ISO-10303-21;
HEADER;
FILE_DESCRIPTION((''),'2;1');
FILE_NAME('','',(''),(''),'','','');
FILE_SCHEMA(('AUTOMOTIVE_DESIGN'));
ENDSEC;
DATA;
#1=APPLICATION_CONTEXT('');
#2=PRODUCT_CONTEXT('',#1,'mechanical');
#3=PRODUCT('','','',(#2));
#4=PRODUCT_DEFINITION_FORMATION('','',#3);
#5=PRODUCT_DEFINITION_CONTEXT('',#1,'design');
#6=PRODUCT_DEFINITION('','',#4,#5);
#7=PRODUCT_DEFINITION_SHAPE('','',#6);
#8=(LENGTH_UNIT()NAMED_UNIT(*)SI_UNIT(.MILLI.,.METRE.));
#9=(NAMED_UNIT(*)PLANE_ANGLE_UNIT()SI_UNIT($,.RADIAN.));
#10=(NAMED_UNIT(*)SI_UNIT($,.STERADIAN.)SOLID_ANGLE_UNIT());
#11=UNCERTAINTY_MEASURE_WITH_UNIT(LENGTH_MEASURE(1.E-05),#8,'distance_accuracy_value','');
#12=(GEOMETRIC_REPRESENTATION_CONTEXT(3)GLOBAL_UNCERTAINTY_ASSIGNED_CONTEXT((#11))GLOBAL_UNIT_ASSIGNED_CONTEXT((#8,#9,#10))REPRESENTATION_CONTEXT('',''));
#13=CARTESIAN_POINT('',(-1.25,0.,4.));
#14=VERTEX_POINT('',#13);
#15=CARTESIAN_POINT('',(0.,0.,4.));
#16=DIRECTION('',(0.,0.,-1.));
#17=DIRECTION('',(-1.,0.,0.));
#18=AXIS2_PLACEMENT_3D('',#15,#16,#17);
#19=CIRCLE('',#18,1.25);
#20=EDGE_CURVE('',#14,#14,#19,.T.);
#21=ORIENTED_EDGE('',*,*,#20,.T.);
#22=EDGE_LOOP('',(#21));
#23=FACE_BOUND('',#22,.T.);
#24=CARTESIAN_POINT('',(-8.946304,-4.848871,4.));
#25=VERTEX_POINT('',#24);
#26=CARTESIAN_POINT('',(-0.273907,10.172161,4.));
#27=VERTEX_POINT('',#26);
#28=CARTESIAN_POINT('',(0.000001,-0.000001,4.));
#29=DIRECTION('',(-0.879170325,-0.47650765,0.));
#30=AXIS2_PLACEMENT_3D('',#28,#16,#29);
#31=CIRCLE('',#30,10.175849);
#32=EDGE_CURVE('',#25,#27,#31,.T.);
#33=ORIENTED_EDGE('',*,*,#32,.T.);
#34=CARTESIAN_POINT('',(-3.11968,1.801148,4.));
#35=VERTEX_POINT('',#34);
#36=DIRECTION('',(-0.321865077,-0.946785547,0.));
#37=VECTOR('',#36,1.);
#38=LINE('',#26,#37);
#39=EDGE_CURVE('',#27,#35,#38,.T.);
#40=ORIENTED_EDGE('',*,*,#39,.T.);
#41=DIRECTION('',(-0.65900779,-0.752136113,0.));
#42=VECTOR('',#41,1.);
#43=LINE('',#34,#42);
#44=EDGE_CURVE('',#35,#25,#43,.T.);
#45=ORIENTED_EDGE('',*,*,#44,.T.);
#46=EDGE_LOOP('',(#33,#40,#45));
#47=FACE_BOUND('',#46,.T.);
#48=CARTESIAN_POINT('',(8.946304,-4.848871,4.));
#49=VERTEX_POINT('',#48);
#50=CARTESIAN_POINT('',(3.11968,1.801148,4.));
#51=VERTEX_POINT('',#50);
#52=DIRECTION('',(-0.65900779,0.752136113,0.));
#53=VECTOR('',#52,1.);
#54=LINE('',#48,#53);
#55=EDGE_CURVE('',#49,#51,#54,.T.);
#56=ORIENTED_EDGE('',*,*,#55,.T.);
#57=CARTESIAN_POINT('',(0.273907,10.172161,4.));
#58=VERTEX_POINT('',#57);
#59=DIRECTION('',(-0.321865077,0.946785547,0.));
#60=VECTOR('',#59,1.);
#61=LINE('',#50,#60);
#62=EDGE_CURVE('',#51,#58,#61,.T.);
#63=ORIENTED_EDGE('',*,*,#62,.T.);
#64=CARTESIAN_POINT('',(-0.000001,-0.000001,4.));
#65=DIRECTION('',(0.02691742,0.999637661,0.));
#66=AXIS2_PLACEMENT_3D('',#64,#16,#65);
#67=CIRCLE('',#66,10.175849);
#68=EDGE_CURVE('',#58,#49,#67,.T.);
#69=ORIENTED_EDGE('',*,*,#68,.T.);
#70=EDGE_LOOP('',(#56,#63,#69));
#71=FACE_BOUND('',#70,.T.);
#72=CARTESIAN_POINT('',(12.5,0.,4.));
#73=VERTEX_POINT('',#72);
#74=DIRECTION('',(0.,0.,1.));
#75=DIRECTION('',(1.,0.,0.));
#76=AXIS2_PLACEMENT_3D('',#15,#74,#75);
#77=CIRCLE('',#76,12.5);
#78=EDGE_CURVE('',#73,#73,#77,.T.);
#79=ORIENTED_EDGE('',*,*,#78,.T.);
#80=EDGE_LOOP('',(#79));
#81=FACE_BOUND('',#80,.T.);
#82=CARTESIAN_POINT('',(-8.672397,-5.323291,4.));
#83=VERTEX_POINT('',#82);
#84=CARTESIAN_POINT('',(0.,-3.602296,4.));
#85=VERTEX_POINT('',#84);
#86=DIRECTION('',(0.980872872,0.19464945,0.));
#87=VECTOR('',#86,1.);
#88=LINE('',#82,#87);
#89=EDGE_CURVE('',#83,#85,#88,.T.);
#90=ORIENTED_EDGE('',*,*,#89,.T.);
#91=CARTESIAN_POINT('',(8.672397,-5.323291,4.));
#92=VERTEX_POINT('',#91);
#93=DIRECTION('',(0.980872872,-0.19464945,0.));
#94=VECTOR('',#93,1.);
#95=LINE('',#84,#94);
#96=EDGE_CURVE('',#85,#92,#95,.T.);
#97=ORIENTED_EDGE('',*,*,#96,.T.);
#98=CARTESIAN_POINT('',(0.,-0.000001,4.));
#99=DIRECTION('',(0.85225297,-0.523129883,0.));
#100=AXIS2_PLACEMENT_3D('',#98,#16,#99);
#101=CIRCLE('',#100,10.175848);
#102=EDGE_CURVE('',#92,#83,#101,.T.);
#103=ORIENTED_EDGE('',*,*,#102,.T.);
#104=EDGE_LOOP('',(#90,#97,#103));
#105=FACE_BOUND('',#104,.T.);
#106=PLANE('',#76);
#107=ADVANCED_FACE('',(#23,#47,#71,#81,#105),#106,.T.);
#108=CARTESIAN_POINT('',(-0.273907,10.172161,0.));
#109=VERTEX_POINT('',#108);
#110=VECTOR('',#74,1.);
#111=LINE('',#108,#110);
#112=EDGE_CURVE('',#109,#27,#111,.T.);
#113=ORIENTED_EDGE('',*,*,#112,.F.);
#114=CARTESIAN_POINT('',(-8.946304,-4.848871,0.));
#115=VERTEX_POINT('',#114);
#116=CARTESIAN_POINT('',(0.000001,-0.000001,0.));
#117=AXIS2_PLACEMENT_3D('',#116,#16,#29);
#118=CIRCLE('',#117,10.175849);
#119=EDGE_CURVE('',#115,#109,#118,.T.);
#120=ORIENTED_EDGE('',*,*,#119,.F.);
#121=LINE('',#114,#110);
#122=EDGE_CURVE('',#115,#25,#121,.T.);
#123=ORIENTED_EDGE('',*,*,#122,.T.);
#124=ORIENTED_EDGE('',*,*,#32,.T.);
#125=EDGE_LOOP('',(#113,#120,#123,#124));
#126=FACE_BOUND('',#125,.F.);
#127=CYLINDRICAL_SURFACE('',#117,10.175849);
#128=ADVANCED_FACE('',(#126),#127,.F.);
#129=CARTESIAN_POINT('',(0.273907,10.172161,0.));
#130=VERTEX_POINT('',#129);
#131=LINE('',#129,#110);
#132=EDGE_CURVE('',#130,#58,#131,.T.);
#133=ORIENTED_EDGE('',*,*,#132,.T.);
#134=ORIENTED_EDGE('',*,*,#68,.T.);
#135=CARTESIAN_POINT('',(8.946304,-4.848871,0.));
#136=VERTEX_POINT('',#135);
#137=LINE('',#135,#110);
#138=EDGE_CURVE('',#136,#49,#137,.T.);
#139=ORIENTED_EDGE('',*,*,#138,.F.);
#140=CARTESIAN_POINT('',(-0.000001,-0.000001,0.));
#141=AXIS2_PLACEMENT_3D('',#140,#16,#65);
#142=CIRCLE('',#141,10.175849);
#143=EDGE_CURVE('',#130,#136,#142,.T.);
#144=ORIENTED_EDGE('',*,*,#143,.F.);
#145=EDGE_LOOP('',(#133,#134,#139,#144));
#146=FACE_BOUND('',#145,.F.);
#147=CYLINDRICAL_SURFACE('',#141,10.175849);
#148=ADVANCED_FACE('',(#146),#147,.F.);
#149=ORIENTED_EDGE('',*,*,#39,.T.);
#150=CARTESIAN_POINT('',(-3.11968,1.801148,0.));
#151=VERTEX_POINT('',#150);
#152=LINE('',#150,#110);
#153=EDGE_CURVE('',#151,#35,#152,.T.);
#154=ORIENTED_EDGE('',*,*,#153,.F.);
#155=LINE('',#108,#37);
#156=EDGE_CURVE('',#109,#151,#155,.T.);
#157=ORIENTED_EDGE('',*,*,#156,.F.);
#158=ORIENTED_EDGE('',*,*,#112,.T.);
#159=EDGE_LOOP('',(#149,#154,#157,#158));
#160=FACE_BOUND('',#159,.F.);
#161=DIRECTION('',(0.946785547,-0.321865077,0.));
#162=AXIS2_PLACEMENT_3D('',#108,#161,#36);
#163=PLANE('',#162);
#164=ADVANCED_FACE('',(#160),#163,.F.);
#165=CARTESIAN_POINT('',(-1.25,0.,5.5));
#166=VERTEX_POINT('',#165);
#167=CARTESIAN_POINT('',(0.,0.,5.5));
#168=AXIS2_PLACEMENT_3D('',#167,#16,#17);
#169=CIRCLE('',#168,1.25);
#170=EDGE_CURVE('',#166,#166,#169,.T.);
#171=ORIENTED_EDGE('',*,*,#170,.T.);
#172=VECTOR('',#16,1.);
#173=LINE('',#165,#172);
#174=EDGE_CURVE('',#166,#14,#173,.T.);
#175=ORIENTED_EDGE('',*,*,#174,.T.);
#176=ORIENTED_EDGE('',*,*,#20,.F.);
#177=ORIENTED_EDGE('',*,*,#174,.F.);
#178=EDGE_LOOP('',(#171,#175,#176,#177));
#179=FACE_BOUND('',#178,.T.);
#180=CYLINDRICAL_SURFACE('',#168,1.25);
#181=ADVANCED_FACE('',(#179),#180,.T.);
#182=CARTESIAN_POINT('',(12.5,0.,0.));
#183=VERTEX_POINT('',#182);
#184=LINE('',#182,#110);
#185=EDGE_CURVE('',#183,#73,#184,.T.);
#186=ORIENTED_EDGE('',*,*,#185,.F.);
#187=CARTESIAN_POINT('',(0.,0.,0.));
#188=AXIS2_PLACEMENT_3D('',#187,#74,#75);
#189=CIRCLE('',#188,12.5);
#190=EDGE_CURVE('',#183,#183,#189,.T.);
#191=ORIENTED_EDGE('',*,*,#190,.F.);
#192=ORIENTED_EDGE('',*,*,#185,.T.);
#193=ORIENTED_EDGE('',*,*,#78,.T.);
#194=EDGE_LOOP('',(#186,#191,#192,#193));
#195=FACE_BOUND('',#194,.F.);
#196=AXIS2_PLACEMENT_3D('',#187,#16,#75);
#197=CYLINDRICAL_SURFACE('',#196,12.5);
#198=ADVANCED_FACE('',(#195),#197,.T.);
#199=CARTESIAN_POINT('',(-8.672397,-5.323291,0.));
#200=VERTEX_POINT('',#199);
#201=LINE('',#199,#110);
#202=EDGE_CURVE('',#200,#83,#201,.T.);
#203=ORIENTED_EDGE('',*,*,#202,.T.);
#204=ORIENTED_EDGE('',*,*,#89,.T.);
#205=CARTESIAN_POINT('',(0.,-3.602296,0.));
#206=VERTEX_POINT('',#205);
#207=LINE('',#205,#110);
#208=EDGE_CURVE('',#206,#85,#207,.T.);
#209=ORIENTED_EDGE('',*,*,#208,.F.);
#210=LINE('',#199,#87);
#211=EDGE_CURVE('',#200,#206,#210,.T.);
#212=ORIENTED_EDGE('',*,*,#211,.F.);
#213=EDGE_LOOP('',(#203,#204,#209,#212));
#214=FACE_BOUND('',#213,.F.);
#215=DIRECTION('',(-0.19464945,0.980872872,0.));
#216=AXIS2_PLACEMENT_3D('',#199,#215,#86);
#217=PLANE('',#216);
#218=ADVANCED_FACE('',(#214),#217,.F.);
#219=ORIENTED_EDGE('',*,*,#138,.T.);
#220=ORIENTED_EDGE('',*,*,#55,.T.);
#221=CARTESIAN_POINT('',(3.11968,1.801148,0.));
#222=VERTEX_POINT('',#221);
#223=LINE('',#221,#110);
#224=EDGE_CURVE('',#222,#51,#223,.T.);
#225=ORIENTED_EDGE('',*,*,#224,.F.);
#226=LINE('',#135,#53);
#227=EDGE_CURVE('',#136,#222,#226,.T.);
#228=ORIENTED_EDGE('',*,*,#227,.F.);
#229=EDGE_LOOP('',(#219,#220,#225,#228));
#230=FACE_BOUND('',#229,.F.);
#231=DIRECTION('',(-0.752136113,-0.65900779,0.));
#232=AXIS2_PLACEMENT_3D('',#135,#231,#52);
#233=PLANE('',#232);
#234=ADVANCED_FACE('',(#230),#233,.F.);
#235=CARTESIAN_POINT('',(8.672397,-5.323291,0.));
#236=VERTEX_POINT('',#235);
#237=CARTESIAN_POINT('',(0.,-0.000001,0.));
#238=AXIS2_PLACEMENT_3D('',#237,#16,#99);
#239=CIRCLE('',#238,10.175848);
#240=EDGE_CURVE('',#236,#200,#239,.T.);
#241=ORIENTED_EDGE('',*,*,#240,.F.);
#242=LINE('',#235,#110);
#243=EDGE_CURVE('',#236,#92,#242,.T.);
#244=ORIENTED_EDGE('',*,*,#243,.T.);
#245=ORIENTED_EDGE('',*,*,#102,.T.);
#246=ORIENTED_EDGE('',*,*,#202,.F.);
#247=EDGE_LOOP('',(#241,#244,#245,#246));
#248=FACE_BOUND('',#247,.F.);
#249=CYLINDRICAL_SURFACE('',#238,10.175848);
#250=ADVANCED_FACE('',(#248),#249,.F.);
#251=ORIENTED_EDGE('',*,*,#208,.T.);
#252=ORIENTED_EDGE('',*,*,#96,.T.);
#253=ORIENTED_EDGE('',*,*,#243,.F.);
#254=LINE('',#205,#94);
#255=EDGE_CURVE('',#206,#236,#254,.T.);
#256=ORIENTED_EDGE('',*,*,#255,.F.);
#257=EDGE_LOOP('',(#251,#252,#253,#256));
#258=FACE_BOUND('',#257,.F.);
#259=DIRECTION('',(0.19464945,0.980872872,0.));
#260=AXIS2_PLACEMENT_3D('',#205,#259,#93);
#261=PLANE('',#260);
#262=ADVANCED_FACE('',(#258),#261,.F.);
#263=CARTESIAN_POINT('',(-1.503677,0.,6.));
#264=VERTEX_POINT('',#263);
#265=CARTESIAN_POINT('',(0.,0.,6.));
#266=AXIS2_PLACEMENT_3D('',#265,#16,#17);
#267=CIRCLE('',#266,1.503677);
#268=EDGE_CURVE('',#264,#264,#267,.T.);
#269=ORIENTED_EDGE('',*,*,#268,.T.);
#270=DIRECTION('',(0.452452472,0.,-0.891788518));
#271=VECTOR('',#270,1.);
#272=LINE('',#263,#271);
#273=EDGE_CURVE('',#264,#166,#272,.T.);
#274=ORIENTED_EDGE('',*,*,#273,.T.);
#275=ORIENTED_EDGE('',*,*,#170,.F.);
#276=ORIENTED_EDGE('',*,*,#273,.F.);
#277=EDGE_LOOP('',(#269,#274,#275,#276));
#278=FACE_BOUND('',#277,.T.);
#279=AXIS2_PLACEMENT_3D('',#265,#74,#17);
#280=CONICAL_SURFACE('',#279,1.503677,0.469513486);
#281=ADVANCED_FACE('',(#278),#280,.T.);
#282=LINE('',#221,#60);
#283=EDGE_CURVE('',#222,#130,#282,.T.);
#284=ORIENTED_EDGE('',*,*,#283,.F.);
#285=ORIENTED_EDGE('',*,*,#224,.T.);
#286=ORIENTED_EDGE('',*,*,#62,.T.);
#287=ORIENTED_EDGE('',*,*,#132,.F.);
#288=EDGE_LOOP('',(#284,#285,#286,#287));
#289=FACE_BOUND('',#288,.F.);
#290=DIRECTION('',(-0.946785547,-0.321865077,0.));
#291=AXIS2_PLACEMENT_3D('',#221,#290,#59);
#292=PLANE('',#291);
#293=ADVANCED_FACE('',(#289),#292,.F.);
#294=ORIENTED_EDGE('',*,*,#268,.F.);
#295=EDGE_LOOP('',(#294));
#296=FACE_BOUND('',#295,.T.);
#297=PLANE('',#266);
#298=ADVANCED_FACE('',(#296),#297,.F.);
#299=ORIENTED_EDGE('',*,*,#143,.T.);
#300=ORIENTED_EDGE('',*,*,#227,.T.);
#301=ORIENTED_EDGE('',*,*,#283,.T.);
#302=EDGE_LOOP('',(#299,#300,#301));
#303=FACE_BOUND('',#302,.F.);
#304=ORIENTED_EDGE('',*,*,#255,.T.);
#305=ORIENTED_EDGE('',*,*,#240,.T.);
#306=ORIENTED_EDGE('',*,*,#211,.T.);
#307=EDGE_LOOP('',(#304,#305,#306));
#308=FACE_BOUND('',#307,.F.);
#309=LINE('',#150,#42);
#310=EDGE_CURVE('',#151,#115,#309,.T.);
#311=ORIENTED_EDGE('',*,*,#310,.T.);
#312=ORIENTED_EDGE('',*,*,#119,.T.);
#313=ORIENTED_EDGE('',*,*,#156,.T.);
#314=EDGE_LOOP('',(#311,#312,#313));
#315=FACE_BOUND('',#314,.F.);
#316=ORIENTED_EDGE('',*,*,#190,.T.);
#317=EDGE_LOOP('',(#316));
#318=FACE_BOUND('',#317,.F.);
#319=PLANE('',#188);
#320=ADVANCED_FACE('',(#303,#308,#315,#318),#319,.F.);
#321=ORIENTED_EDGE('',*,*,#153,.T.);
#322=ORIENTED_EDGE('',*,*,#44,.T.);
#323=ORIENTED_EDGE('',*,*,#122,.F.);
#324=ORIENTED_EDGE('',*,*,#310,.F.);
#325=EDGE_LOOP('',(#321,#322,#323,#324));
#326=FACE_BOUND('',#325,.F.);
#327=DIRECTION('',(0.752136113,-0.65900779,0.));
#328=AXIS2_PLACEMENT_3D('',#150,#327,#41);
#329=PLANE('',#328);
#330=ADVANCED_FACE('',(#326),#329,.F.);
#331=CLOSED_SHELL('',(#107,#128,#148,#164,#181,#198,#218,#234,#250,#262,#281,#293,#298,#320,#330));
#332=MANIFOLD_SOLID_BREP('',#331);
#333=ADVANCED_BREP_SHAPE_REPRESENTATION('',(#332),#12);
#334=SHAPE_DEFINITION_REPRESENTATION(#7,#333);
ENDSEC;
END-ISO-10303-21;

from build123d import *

# Parameters (mm, degrees)
F0_R     = 12.5
F1_DEPTH = 4


with BuildPart() as f1:
    # F0 (on Top) → F1 (new body)
    with BuildSketch(Plane.XY):
        Circle(F0_R)
        with BuildLine():
            ThreePointArc((8.672397, -5.323291), (0, -10.175849), (-8.672397, -5.323291))
            Line((-8.672397, -5.323291), (0, -3.602296))
            Line((0, -3.602296), (8.672397, -5.323291))
        make_face(mode=Mode.SUBTRACT)
        with BuildLine():
            ThreePointArc((-8.946304, -4.848871), (-8.812543, 5.087924), (-0.273907, 10.172161))
            Line((-0.273907, 10.172161), (-3.11968, 1.801148))
            Line((-3.11968, 1.801148), (-8.946304, -4.848871))
        make_face(mode=Mode.SUBTRACT)
        with BuildLine():
            Line((3.11968, 1.801148), (0.273907, 10.172161))
            ThreePointArc((0.273907, 10.172161), (8.812543, 5.087924), (8.946304, -4.848871))
            Line((8.946304, -4.848871), (3.11968, 1.801148))
        make_face(mode=Mode.SUBTRACT)
    extrude(amount=F1_DEPTH)

    # F2 (on Front) → F3 (revolve)
    with BuildSketch(Plane.XZ):
        Polygon((-1.25, 5.5), (-1.25, 3.62873), (0, 2.650845), (0, 6), (-1.503677, 6), align=None)
    revolve(axis=Axis((0, 0, 4.325422), (0, 0, -1)))


solid = f1.part
